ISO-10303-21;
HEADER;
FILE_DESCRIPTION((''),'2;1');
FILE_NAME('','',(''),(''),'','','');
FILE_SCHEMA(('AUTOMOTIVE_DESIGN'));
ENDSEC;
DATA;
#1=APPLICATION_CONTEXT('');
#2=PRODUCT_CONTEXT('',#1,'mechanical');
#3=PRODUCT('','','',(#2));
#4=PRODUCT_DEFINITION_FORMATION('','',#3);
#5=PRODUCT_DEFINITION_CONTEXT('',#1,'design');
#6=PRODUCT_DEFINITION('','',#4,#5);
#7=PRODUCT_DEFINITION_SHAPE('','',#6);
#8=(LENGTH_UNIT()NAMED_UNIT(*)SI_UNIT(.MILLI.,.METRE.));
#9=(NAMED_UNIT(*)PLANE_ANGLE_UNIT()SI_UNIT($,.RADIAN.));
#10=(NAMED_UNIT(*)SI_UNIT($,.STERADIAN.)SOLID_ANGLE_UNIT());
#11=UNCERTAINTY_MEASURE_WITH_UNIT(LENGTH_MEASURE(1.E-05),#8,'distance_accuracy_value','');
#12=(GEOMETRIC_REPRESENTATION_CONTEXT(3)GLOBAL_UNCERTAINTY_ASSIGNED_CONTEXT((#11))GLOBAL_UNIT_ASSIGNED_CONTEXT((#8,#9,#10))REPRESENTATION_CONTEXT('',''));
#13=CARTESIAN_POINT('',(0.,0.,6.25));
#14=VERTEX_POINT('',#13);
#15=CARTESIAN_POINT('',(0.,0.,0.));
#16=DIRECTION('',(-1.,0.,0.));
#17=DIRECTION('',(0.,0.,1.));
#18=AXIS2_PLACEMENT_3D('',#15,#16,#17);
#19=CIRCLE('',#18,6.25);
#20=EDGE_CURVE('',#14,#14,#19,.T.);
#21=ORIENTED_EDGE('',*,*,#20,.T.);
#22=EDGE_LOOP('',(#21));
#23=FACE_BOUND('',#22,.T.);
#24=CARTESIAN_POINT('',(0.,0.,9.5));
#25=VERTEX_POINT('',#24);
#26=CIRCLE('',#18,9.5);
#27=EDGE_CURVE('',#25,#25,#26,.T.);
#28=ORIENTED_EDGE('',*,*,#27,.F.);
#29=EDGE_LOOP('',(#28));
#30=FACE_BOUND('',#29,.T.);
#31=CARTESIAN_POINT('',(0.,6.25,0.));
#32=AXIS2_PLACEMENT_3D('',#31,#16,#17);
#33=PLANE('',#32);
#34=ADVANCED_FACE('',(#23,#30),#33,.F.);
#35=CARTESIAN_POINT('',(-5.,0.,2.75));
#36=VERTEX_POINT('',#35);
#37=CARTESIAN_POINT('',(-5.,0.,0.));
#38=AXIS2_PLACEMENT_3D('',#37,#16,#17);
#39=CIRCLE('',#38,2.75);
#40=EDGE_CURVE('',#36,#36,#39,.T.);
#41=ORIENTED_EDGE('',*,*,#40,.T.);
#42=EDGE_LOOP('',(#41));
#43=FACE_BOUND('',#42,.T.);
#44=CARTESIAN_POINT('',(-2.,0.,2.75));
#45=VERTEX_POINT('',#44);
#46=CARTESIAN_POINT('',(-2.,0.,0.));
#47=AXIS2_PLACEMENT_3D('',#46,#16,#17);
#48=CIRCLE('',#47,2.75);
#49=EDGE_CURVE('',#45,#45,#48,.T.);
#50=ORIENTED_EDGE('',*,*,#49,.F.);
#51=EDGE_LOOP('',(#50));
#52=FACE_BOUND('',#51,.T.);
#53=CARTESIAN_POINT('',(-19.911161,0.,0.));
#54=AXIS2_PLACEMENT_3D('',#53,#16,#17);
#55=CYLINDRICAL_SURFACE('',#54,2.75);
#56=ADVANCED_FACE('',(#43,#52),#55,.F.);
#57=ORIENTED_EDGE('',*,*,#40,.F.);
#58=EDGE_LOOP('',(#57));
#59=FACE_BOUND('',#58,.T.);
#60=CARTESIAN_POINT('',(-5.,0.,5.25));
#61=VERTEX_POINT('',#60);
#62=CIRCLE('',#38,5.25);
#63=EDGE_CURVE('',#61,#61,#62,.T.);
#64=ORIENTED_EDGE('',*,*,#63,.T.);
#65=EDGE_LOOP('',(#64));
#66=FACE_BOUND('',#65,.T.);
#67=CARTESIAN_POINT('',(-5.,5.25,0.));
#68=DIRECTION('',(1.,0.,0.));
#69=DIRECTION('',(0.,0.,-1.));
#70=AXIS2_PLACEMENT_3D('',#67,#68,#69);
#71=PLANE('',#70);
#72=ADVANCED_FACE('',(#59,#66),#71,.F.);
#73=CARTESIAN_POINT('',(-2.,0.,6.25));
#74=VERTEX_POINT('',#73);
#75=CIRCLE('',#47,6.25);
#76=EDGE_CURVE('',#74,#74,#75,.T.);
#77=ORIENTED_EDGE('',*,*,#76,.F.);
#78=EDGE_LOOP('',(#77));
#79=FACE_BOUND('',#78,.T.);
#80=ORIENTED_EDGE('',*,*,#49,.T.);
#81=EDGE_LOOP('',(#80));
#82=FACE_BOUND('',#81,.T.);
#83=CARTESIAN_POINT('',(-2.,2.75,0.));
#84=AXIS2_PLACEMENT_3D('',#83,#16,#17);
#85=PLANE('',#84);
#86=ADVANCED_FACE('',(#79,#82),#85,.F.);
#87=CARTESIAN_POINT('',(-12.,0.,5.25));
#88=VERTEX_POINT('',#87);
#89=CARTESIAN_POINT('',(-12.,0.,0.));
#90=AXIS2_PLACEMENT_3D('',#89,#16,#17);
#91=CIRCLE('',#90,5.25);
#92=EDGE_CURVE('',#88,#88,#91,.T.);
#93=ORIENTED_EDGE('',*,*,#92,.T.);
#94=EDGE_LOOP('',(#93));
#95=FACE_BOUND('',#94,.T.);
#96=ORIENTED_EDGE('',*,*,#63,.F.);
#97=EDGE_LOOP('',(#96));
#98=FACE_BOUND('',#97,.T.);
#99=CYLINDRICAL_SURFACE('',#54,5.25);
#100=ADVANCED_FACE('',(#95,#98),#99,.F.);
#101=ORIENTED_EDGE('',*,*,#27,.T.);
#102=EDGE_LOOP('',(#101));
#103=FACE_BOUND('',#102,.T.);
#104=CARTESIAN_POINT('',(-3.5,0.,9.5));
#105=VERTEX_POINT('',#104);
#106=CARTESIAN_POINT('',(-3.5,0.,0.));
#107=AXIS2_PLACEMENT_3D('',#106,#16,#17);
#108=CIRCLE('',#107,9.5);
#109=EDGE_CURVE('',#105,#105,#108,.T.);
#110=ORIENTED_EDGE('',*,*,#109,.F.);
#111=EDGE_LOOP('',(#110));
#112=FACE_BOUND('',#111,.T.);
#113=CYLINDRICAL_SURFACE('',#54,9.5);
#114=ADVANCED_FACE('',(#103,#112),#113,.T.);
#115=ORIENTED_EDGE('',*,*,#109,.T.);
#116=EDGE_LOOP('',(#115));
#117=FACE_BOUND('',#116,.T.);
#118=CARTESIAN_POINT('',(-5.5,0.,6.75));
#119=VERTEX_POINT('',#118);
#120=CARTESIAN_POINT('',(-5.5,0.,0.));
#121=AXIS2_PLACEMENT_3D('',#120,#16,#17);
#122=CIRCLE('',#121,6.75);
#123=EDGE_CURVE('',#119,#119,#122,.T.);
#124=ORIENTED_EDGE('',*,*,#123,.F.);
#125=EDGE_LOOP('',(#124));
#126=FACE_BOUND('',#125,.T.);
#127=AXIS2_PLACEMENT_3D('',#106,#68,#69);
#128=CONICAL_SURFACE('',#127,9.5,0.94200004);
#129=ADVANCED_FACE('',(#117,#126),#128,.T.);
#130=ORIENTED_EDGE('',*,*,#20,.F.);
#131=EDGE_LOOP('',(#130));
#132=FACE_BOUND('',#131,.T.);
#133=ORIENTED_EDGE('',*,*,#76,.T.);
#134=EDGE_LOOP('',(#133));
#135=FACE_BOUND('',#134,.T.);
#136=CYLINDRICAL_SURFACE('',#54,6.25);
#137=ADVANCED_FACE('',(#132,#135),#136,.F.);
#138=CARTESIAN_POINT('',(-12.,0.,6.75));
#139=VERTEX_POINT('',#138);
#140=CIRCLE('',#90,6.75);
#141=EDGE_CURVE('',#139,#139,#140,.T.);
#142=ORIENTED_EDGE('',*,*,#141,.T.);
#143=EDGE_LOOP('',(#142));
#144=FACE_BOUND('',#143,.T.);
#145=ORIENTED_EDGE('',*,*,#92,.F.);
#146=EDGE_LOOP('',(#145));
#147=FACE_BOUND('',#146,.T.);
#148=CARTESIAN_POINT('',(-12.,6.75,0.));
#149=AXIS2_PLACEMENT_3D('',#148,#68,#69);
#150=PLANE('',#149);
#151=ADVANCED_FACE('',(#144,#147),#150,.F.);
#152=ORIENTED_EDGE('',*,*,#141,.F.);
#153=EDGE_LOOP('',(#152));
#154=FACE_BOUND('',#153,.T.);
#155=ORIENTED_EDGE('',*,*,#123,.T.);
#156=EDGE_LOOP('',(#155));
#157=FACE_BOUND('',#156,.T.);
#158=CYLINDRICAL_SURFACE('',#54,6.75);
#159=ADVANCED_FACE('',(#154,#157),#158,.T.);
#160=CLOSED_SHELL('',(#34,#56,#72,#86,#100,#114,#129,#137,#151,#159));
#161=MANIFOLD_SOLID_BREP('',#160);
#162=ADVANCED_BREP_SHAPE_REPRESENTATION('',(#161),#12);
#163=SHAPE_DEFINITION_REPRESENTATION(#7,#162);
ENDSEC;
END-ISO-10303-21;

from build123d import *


with BuildPart() as part:
    # Esquisse1 → Révolution1 (revolve)
    with BuildSketch(Plane.XY, mode=Mode.PRIVATE) as r_volution1_sk:
        Polygon((-5, 2.75), (-2, 2.75), (-2, 6.25), (0, 6.25), (0, 9.5), (-3.5, 9.5), (-5.5, 6.75), (-12, 6.75), (-12, 5.25), (-5, 5.25), align=None)
    revolve(r_volution1_sk.sketch.rotate(Axis((-19.911160568, 0, 0), (1, 0, 0)), 90), axis=Axis((-19.911160568, 0, 0), (1, 0, 0)))  # turned: the seam where the file's is


solid = part.part
